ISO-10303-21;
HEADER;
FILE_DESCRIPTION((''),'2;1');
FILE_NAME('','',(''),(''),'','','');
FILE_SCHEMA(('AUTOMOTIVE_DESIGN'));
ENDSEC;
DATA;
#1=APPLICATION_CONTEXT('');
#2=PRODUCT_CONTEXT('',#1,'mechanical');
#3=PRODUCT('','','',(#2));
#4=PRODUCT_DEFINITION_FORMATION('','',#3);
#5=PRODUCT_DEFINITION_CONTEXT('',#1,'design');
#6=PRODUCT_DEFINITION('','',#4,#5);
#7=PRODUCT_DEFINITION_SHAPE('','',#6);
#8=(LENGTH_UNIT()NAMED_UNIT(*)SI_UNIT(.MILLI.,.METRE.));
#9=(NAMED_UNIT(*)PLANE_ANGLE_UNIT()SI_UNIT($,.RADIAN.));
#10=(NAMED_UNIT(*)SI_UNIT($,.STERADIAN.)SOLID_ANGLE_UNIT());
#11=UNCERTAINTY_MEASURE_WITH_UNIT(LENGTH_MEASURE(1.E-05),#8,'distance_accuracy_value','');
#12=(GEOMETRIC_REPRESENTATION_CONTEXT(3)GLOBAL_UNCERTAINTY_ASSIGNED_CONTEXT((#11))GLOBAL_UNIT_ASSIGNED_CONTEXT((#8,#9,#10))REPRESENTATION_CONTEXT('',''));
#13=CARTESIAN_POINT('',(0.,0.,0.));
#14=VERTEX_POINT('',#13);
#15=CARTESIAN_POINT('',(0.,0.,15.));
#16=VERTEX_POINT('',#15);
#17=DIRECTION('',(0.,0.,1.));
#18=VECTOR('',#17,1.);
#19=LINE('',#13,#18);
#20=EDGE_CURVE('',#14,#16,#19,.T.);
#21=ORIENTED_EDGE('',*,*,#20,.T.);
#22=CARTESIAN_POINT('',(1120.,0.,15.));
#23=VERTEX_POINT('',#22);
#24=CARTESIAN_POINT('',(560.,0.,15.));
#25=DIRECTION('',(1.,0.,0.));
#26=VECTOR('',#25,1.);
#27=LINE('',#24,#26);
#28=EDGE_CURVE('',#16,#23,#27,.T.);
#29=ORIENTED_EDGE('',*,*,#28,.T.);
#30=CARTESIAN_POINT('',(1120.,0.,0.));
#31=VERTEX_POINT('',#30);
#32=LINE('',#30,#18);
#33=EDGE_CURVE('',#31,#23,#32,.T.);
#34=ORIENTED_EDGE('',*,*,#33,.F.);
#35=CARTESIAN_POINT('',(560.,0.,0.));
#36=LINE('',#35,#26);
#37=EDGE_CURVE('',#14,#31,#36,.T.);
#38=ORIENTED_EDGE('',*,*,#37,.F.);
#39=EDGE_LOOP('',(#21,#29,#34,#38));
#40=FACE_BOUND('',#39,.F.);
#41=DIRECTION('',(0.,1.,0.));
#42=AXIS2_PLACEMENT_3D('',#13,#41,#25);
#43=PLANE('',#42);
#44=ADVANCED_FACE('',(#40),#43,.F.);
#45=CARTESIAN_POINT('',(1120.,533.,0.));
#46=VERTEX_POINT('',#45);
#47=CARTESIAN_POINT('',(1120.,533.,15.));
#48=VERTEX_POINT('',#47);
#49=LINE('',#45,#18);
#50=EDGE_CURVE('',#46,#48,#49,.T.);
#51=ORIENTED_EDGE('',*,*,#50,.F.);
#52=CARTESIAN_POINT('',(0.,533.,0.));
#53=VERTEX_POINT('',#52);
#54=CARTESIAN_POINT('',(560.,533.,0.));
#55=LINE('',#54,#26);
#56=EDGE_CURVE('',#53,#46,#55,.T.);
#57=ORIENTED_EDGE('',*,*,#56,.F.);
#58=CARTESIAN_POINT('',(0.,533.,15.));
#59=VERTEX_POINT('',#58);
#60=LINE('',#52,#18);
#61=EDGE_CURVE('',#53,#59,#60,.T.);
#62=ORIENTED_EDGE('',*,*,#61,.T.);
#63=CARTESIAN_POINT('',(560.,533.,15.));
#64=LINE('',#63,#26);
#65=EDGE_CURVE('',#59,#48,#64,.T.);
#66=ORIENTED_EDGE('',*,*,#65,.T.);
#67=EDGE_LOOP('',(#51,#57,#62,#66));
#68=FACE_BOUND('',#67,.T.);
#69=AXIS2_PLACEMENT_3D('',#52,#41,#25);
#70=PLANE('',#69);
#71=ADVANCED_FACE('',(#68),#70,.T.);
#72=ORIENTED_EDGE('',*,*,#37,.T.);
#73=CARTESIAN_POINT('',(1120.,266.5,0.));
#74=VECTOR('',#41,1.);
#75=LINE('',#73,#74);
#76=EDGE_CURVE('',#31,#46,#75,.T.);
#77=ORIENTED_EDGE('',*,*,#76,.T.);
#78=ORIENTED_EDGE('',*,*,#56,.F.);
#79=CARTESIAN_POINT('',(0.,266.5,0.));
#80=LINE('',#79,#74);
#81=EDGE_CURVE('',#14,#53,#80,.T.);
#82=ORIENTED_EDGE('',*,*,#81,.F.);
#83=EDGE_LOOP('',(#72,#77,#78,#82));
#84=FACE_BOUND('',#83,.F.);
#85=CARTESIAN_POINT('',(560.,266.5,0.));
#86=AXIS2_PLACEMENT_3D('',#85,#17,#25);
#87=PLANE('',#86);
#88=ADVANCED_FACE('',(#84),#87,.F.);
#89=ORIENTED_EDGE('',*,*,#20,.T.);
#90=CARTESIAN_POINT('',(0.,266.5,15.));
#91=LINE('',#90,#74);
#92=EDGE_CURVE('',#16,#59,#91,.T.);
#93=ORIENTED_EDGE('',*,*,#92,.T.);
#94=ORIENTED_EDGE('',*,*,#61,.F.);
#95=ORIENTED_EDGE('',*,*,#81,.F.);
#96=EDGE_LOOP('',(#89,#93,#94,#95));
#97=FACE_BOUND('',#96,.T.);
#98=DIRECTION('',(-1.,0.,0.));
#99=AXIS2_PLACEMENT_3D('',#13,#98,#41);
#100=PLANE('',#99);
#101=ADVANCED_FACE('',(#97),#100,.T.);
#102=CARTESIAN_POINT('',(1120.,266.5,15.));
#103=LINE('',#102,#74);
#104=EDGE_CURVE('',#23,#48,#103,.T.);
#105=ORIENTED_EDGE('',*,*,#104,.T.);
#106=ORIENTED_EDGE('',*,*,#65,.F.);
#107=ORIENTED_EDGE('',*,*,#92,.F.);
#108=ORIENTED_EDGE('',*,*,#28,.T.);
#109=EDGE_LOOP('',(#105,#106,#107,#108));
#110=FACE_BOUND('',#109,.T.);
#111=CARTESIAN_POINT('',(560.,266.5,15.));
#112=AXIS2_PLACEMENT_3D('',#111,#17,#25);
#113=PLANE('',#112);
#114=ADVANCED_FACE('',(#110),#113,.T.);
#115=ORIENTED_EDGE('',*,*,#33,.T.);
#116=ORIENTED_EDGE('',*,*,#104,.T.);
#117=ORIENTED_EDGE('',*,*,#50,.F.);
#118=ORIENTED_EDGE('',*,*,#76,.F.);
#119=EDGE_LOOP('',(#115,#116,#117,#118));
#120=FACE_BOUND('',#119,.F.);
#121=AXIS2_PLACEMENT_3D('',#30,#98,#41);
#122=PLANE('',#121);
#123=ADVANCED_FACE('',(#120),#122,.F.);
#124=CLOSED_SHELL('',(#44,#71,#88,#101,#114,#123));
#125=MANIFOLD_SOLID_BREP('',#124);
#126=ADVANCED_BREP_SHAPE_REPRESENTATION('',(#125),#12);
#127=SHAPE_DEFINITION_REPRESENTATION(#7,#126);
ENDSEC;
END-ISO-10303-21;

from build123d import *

# Parameters (mm, degrees)
BOX_W     = 1120
BOX_H     = 533
BOX_DEPTH = 15


with BuildPart() as part:
    # Box → Box (new body)
    with BuildSketch(Plane.XY):
        with Locations((560, 266.5)):
            Rectangle(BOX_W, BOX_H)
    extrude(amount=BOX_DEPTH)


solid = part.part
